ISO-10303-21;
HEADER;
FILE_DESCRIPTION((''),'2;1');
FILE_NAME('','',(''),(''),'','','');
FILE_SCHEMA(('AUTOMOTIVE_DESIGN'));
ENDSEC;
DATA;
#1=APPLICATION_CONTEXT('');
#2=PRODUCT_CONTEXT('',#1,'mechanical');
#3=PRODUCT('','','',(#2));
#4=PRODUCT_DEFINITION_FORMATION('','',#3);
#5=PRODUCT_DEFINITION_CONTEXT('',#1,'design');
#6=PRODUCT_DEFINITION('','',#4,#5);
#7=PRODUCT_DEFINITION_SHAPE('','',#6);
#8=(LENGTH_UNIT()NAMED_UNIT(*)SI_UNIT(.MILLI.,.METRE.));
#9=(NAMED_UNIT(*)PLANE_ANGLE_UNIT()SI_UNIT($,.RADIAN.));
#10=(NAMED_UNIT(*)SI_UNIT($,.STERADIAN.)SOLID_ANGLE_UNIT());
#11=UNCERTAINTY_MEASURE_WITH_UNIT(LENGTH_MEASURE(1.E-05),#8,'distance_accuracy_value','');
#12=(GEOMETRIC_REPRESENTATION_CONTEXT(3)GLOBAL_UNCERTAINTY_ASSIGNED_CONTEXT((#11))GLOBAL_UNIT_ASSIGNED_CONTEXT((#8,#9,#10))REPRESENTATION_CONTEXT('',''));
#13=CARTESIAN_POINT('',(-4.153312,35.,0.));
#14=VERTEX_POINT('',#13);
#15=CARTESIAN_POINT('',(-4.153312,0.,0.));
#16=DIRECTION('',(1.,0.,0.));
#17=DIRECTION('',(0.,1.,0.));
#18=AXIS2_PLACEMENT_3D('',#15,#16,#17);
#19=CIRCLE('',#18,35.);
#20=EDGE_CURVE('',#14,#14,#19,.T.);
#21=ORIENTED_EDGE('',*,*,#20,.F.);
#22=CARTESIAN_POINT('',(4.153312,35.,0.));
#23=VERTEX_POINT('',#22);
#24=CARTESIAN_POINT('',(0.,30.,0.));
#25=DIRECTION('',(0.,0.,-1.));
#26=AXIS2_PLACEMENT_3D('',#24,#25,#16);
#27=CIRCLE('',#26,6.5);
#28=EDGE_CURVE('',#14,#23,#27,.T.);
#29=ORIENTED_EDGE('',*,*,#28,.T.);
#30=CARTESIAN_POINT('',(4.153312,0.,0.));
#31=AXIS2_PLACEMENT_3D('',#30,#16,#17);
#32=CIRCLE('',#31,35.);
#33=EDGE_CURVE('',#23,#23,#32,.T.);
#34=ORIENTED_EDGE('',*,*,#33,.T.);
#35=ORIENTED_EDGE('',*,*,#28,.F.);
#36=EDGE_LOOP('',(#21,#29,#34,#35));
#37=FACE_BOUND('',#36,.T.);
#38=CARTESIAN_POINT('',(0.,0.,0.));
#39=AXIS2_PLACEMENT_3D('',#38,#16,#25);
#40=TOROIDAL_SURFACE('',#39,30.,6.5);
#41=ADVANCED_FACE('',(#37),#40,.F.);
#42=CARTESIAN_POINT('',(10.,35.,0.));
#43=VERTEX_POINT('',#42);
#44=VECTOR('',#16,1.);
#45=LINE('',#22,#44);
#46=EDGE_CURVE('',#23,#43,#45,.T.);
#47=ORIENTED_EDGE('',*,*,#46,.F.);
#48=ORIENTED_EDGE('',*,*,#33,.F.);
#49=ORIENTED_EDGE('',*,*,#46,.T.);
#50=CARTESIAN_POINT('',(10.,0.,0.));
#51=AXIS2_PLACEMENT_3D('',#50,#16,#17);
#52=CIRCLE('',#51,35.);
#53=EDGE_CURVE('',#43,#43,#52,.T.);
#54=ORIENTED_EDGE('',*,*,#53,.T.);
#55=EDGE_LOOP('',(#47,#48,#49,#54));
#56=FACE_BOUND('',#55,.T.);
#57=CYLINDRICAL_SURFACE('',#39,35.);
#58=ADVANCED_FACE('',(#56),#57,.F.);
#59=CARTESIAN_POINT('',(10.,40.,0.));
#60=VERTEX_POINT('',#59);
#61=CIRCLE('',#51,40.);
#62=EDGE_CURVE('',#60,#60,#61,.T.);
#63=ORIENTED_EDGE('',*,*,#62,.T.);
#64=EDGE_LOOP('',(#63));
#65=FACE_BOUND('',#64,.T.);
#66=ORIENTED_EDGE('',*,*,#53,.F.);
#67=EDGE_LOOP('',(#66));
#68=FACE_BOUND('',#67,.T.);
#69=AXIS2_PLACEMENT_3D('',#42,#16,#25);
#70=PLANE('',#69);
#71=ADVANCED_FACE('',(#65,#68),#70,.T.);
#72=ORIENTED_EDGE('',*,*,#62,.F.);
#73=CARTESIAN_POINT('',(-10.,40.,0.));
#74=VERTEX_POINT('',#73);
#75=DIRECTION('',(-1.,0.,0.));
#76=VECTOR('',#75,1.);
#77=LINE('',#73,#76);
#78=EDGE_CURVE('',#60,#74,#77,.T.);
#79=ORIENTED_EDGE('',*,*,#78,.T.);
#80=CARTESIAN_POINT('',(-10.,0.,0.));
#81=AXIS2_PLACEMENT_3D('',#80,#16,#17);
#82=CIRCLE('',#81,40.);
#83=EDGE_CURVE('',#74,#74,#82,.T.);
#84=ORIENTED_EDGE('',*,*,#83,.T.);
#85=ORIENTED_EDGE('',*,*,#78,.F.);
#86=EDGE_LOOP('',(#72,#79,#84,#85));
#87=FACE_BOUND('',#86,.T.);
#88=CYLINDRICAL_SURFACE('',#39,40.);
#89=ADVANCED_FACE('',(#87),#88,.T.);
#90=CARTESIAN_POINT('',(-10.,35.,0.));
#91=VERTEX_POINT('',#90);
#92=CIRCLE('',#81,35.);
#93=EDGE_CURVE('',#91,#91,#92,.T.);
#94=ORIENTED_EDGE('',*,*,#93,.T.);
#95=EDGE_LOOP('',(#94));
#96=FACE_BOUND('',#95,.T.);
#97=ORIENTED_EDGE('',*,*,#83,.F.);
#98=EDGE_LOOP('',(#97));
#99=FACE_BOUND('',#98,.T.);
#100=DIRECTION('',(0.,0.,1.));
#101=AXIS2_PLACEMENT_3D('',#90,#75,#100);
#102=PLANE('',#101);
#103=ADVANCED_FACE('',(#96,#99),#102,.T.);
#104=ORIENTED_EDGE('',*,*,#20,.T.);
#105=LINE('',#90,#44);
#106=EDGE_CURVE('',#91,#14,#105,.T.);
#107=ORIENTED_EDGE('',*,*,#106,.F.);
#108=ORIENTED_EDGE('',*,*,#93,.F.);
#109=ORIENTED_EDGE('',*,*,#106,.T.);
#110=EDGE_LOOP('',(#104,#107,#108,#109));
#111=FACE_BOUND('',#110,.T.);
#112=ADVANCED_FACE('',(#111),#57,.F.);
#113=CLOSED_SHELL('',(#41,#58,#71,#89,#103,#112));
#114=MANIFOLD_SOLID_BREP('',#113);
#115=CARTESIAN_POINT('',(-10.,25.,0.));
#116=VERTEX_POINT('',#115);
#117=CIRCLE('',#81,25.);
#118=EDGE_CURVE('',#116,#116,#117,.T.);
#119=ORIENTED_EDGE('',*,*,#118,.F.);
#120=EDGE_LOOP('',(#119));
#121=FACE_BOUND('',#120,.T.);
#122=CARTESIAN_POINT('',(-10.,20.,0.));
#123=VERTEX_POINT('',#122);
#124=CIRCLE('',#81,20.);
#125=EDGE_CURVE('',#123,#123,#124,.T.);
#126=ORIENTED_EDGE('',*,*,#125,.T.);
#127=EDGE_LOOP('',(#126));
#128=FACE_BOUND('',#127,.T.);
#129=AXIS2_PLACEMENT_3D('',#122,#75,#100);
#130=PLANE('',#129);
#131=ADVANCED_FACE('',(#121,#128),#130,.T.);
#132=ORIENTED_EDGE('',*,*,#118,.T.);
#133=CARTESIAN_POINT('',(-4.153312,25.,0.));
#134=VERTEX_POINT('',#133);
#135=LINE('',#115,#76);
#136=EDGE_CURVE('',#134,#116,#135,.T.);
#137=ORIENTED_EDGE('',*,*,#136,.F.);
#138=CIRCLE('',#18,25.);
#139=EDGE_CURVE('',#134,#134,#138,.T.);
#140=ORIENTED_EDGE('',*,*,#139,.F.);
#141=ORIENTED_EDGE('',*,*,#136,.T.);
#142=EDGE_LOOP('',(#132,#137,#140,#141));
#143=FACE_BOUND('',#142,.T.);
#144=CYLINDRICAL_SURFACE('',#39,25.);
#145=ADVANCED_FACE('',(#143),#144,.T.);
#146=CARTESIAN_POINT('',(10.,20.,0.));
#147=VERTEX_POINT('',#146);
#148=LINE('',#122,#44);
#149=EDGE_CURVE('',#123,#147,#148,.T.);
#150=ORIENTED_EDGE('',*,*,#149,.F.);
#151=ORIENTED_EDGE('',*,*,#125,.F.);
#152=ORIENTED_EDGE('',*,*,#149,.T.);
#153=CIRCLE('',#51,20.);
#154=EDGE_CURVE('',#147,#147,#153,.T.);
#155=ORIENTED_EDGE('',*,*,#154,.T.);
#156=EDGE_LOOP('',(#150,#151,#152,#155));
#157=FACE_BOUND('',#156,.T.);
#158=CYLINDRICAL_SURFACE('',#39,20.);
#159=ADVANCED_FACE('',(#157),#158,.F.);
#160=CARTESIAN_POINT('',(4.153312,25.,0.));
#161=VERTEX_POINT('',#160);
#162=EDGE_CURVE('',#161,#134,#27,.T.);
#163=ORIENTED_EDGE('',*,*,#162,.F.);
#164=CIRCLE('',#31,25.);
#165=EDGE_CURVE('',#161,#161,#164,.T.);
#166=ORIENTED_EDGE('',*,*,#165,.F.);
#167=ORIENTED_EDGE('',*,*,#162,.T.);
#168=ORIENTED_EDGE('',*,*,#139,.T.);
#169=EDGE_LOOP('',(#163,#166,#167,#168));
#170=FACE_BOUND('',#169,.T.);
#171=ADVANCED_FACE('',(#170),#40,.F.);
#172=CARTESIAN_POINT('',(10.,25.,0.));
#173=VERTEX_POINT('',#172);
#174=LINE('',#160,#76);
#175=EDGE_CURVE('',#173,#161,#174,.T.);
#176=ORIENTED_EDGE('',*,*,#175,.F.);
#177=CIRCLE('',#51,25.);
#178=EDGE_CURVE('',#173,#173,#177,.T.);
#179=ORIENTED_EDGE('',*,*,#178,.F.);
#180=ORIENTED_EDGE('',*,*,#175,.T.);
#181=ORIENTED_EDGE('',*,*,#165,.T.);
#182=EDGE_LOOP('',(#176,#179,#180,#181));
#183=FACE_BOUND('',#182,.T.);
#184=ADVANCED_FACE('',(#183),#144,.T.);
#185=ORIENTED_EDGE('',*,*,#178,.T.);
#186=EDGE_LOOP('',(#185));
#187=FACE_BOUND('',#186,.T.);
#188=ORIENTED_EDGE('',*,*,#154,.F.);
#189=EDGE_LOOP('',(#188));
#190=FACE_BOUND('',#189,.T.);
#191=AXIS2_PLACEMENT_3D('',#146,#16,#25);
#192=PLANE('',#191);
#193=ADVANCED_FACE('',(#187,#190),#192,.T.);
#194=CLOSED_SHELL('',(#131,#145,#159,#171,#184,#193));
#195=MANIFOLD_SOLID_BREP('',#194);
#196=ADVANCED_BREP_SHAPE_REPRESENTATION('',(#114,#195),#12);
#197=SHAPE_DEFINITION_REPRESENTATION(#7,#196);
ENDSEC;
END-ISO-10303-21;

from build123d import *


with BuildPart() as part:
    # Sweep1: sweep along a path in Sketch5
    with BuildLine(Plane(origin=(0, 0, 0), x_dir=(0, 0, -1), z_dir=(1, 0, 0))) as sweep1_path:
        CenterArc((0, 0), 30, 0, 360)
    # Sketch1 → Sweep1 (sweep)
    with BuildSketch(Plane.XY):
        with BuildLine():
            Line((-10, 35), (-4.153311931, 35))
            ThreePointArc((-4.153311931, 35), (0, 36.5), (4.153311931, 35))
            Line((4.153311931, 35), (10, 35))
            Line((10, 35), (10, 40))
            Line((10, 40), (-10, 40))
            Line((-10, 40), (-10, 35))
        make_face()
        with BuildLine():
            Line((-10, 20), (10, 20))
            Line((10, 20), (10, 25))
            Line((10, 25), (4.153311931, 25))
            ThreePointArc((4.153311931, 25), (0, 23.5), (-4.153311931, 25))
            Line((-4.153311931, 25), (-10, 25))
            Line((-10, 25), (-10, 20))
        make_face()
    sweep(path=sweep1_path.line)


solid = part.part
